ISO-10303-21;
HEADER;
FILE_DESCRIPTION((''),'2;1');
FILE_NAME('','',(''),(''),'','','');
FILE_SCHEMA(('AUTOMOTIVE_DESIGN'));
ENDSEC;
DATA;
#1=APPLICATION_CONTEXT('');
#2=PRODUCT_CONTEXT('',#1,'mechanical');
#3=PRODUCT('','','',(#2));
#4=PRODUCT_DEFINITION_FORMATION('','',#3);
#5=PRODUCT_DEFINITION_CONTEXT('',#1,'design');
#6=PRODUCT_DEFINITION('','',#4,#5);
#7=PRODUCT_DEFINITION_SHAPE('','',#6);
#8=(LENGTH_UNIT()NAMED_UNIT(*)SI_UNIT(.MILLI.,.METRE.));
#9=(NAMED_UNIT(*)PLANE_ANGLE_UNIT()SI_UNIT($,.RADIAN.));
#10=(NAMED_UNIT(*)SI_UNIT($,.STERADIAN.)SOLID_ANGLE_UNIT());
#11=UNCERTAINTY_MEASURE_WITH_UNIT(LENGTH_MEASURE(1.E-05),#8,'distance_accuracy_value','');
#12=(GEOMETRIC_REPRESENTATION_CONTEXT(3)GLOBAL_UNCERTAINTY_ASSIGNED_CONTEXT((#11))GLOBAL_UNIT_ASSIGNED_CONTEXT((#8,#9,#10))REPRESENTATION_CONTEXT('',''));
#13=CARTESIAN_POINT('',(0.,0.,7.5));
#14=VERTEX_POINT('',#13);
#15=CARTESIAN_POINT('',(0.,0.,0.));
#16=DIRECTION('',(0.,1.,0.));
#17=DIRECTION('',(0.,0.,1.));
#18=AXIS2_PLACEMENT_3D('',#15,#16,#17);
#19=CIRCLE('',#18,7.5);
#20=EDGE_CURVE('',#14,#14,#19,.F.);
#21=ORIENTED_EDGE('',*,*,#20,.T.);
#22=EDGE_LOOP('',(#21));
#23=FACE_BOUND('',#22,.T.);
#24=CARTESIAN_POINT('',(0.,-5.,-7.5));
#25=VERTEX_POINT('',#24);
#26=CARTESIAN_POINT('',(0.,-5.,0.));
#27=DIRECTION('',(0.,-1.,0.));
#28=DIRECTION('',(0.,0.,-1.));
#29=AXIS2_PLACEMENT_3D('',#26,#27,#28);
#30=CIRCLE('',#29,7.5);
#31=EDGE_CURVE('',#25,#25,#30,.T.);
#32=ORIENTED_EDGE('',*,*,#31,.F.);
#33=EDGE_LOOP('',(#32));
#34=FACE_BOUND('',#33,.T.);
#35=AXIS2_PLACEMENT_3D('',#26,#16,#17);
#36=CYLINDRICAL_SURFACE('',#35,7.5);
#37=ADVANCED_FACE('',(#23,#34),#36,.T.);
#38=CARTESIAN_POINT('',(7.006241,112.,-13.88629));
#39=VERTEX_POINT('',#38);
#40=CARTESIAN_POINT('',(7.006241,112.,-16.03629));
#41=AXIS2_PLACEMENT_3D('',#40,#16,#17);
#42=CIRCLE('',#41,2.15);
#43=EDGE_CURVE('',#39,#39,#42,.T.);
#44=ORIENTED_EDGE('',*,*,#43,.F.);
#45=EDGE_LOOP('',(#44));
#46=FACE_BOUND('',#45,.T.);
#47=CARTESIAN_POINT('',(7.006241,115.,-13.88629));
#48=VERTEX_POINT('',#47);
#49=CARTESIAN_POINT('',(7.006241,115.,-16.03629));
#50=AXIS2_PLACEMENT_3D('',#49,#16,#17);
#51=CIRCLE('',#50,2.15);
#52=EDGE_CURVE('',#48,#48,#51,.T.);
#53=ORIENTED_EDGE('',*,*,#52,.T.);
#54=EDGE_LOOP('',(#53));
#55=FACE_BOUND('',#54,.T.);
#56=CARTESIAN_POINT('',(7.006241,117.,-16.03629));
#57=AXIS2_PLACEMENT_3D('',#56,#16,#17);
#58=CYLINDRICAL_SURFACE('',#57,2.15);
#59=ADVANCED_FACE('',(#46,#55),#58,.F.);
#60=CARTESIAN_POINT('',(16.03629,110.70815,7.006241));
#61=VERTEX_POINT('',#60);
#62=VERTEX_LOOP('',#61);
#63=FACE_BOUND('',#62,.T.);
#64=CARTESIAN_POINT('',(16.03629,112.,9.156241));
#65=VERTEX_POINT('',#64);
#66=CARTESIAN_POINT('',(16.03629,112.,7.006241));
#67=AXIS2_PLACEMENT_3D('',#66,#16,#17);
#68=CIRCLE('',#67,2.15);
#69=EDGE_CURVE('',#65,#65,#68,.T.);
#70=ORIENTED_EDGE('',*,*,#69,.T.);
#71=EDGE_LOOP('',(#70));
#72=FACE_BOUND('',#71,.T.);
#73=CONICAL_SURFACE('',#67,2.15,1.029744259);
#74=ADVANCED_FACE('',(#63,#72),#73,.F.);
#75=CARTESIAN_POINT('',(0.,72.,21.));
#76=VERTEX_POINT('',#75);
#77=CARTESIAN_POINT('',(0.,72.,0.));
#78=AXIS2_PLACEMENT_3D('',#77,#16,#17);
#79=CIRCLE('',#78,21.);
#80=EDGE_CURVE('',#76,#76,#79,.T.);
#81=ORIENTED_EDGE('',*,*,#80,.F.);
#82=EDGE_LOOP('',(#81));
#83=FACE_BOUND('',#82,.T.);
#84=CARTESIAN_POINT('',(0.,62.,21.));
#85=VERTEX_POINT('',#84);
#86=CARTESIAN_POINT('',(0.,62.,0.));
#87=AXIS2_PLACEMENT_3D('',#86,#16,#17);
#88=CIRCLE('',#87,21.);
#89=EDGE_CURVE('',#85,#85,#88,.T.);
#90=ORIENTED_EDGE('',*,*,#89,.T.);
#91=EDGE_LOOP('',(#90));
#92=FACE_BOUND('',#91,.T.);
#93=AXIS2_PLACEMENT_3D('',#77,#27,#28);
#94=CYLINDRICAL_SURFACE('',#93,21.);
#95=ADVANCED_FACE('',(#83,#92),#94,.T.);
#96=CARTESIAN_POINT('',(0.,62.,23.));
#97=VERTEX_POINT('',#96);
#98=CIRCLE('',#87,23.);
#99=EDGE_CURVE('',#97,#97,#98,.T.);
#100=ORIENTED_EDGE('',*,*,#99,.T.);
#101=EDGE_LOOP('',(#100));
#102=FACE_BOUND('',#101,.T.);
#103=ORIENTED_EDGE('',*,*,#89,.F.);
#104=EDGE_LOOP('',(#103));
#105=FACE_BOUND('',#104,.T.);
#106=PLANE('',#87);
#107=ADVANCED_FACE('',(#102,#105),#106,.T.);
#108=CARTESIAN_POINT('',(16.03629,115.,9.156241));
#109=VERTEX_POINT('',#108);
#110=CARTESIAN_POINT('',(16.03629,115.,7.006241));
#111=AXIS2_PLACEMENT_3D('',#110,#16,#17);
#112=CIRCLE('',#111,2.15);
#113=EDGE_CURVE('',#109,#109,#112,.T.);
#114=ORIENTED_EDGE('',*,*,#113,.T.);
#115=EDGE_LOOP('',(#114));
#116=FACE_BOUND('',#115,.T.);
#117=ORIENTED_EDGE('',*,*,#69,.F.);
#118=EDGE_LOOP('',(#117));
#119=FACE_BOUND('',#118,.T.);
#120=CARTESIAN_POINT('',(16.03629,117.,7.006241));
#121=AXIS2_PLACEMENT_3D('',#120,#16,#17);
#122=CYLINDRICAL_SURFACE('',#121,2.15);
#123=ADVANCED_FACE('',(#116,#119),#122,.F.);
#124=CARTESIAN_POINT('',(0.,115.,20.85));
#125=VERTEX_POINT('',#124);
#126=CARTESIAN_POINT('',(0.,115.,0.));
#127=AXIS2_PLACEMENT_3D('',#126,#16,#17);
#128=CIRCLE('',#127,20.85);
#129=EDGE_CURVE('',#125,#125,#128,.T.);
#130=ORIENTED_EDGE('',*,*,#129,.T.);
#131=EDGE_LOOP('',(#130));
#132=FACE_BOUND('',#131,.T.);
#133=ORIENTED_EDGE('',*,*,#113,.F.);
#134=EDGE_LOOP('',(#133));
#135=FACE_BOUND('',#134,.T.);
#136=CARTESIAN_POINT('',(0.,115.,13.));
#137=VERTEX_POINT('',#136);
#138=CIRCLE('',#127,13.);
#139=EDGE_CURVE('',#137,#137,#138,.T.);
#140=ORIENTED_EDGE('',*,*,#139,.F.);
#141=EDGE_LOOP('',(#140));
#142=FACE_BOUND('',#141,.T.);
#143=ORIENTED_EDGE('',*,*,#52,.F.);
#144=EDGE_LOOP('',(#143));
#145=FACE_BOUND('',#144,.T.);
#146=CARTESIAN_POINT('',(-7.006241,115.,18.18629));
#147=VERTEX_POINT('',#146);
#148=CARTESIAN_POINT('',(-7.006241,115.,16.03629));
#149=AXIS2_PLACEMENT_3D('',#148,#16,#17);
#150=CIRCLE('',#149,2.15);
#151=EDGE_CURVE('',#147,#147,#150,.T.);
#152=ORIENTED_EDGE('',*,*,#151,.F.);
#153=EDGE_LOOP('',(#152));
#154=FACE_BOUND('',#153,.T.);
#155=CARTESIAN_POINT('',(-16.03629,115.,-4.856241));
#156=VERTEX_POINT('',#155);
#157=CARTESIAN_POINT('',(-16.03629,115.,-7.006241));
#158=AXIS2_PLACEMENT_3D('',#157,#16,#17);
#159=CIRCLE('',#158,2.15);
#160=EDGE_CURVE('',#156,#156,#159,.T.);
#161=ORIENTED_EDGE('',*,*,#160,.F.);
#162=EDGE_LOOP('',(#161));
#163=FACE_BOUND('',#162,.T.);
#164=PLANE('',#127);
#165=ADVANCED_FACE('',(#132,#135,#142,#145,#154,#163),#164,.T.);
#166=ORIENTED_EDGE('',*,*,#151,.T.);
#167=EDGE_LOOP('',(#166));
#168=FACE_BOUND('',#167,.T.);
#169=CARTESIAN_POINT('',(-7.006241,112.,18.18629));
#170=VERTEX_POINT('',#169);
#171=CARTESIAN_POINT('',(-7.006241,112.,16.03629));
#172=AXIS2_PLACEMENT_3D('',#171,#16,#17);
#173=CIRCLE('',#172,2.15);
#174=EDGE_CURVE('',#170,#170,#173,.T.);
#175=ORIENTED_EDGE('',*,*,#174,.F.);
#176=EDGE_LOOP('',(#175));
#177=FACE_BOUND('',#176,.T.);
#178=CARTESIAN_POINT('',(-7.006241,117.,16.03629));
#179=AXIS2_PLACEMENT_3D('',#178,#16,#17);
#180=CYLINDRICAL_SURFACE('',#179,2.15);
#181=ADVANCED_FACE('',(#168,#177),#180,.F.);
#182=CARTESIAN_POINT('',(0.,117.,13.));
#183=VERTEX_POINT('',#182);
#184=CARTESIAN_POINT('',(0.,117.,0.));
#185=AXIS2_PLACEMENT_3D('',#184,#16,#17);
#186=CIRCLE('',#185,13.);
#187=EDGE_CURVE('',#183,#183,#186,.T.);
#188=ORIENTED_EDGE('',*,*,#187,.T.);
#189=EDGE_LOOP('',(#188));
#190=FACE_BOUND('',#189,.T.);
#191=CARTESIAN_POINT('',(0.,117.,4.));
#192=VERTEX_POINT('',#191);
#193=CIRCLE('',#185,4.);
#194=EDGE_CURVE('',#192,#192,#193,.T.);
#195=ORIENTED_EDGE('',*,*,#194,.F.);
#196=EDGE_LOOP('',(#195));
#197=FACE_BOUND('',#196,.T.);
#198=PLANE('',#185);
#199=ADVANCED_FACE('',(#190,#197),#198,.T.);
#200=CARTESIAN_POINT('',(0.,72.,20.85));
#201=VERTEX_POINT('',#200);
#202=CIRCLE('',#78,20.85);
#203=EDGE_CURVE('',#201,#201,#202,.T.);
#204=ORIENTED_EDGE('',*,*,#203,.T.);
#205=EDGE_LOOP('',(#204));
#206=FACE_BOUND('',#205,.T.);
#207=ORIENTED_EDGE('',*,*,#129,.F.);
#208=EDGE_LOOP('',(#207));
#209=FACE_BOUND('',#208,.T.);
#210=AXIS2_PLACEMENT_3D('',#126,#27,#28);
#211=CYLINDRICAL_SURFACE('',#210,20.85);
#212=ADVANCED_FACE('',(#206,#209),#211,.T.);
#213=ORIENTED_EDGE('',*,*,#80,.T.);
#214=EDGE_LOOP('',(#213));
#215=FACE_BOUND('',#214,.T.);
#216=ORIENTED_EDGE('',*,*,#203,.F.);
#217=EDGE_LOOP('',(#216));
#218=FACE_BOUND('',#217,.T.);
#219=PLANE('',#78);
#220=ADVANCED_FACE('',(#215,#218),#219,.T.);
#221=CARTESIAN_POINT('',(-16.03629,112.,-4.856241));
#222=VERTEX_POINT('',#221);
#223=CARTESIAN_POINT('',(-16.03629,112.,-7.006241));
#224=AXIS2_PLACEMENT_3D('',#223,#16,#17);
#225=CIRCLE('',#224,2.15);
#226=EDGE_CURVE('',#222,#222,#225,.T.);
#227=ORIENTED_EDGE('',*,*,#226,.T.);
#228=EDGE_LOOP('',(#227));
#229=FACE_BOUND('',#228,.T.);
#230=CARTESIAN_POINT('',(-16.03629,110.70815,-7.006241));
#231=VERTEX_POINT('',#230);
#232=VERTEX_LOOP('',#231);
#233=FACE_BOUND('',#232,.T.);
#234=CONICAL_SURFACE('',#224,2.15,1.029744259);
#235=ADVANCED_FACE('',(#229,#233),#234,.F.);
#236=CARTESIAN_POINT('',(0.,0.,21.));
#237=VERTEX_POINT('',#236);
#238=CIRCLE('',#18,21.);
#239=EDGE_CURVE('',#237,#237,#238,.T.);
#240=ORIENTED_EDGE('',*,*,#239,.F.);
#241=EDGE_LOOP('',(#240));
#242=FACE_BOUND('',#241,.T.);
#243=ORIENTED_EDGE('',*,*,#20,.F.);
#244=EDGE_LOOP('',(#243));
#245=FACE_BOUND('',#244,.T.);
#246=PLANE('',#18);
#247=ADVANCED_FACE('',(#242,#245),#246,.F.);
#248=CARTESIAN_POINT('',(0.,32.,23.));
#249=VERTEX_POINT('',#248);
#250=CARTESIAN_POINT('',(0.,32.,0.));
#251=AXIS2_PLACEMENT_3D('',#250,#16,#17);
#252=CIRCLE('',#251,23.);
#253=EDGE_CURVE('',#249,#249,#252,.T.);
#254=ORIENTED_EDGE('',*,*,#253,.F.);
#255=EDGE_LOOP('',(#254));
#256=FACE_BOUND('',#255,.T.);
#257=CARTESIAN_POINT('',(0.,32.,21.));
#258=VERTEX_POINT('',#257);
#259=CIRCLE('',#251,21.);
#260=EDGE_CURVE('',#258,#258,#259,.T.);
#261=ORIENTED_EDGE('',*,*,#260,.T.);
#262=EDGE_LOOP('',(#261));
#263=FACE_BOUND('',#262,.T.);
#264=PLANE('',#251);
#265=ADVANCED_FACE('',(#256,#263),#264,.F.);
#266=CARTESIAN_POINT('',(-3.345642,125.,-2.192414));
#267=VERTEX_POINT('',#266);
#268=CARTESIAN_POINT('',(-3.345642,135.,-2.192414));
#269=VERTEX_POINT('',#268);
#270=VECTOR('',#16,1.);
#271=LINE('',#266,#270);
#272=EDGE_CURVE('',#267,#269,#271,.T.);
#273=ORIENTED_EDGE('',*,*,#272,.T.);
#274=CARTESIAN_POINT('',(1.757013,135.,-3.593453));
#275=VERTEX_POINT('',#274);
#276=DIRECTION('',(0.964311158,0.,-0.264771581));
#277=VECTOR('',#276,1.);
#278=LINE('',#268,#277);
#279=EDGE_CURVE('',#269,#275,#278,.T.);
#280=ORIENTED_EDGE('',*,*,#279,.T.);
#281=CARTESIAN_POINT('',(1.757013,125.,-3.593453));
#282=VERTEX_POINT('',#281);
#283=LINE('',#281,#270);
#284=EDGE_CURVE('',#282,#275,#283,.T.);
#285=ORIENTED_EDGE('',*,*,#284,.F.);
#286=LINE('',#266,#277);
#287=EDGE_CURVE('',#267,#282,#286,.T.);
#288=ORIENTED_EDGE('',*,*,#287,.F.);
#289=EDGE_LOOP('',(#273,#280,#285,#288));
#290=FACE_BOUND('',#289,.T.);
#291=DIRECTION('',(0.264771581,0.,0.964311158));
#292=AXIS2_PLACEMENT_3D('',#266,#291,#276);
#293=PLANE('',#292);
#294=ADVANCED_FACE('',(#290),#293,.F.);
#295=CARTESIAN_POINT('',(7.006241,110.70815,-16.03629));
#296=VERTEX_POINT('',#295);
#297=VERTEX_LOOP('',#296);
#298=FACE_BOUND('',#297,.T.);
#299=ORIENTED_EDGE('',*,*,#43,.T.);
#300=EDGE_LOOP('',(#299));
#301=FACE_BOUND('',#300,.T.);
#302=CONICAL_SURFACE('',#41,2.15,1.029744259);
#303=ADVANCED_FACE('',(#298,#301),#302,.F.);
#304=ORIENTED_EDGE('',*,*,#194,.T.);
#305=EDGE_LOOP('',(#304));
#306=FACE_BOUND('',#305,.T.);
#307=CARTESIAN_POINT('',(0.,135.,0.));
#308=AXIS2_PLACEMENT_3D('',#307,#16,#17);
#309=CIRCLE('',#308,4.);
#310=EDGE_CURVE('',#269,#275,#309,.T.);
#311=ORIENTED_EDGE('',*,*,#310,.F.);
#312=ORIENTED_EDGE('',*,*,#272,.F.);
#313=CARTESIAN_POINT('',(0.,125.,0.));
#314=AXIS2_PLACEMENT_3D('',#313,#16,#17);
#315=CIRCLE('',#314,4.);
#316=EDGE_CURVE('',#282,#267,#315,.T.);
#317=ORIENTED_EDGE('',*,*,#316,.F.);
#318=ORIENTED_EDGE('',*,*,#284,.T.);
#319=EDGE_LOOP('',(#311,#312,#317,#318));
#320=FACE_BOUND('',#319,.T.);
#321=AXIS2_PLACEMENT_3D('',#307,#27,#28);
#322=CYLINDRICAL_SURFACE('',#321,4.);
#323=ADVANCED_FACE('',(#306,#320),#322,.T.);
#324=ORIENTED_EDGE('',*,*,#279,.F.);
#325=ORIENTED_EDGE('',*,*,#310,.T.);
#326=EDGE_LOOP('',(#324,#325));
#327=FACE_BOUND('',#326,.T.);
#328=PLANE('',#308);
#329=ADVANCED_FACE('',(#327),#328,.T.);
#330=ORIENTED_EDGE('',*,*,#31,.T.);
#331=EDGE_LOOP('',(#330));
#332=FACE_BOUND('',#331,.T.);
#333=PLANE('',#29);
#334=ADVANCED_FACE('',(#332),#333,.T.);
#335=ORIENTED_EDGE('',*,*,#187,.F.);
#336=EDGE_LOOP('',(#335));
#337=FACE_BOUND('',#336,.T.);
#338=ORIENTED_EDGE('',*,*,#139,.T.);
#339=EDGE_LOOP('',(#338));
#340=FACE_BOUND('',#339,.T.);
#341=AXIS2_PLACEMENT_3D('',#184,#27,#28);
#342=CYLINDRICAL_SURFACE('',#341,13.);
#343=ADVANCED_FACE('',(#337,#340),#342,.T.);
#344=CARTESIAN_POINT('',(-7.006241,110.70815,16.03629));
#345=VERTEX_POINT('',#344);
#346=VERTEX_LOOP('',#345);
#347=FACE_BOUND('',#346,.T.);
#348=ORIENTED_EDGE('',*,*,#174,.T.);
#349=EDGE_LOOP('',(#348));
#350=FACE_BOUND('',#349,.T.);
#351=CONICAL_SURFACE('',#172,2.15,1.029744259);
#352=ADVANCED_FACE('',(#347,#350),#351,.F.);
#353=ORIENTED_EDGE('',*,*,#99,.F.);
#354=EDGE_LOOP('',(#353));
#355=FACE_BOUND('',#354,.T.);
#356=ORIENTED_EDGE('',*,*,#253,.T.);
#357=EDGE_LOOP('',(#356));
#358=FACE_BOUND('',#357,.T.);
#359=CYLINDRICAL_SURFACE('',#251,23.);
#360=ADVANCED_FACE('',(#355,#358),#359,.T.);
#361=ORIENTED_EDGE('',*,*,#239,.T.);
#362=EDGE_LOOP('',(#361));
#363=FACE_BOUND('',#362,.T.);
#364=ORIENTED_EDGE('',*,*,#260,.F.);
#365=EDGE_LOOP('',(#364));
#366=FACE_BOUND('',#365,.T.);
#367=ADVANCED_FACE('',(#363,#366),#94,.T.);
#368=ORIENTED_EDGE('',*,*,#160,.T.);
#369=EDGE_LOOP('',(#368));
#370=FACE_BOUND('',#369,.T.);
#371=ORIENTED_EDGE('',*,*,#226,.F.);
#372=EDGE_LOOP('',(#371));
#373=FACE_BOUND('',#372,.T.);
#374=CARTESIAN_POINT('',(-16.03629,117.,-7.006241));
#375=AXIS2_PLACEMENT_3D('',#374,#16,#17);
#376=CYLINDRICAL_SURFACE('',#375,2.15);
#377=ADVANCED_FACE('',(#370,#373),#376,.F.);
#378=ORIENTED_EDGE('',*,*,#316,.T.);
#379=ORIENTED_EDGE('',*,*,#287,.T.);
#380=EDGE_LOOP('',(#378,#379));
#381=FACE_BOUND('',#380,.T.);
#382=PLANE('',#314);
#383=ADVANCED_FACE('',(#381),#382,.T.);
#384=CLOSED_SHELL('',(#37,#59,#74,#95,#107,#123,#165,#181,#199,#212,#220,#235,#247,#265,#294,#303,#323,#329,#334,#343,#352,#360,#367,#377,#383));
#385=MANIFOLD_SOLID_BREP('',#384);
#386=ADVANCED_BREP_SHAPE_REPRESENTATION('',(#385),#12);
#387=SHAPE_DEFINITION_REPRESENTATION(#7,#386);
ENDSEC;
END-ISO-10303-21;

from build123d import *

# Parameters (mm, degrees)
SKETCH1_R           = 21
BOSS_EXTRUDE1_DEPTH = 72
SKETCH3_R           = 23
SKETCH3_R_2         = 21
BOSS_EXTRUDE2_DEPTH = 30
SKETCH4_R           = 20.85
BOSS_EXTRUDE3_DEPTH = 43
SKETCH5_R           = 13
BOSS_EXTRUDE4_DEPTH = 2
SKETCH6_R           = 4
BOSS_EXTRUDE5_DEPTH = 18
SKETCH8_R           = 7.5
BOSS_EXTRUDE6_DEPTH = 5
CIRPATTERN1_COUNT   = 4
CUT_EXTRUDE1_DEPTH  = 10


with BuildPart() as part:
    # Sketch1 → Boss-Extrude1 (new body)
    with BuildSketch(Plane(origin=(0, 0, 0), x_dir=(1, 0, 0), z_dir=(0, 1, 0))):
        Circle(SKETCH1_R)
    extrude(amount=BOSS_EXTRUDE1_DEPTH)

    # Sketch3 → Boss-Extrude2 (add)
    with BuildSketch(Plane(origin=(0, 62, 0), x_dir=(1, 0, 0), z_dir=(0, 1, 0))):
        Circle(SKETCH3_R)
        Circle(SKETCH3_R_2, mode=Mode.SUBTRACT)
    extrude(amount=-BOSS_EXTRUDE2_DEPTH)

    # Sketch4 → Boss-Extrude3 (add)
    with BuildSketch(Plane(origin=(0, 72, 0), x_dir=(1, 0, 0), z_dir=(0, 1, 0))):
        Circle(SKETCH4_R)
    extrude(amount=BOSS_EXTRUDE3_DEPTH)

    # Sketch5 → Boss-Extrude4 (add)
    with BuildSketch(Plane(origin=(0, 115, 0), x_dir=(1, 0, 0), z_dir=(0, 1, 0))):
        Circle(SKETCH5_R)
    extrude(amount=BOSS_EXTRUDE4_DEPTH)

    # Sketch6 → Boss-Extrude5 (add)
    with BuildSketch(Plane(origin=(0, 117, 0), x_dir=(1, 0, 0), z_dir=(0, 1, 0))):
        Circle(SKETCH6_R)
    extrude(amount=BOSS_EXTRUDE5_DEPTH)

    # Sketch8 → Boss-Extrude6 (add)
    with BuildSketch(Plane.XZ):
        Circle(SKETCH8_R)
    extrude(amount=BOSS_EXTRUDE6_DEPTH)

    # Sketch14 → CSK for M4 Flat Head Machine Screw1 (revolve, cut)
    with BuildSketch(Plane(origin=(-16.036289765, 117, -7.00624083), x_dir=(0, 0, 1), z_dir=(1, 0, 0))):
        Polygon((0, 0), (0, 6.291850331), (2.15, 5), (2.15, 0.6), (2.75, 0), align=None)
    csk_for_m4_flat_head_machine_screw1 = revolve(axis=Axis((-16.036289765, 123.35, -7.00624083), (0, -1, 0)), mode=Mode.SUBTRACT)

    # CirPattern1: CSK for M4 Flat Head Machine Screw1 ×4 about axis
    cirpattern1_axis = Axis((0, 0, 0), (0, 1, 0))
    for i in range(1, CIRPATTERN1_COUNT):
        add(csk_for_m4_flat_head_machine_screw1.rotate(cirpattern1_axis, i * 360 / CIRPATTERN1_COUNT), mode=Mode.SUBTRACT)

    # Sketch17 → Cut-Extrude1 (cut)
    with BuildSketch(Plane(origin=(0, 135, 0), x_dir=(1, 0, 0), z_dir=(0, 1, 0))):
        with BuildLine():
            Line((-3.345642255, 2.192413717), (1.757012768, 3.593453233))
            ThreePointArc((1.757012768, 3.593453233), (-1.059086325, 3.857244633), (-3.345642255, 2.192413717))
        make_face()
    extrude(amount=-CUT_EXTRUDE1_DEPTH, mode=Mode.SUBTRACT)


solid = part.part
